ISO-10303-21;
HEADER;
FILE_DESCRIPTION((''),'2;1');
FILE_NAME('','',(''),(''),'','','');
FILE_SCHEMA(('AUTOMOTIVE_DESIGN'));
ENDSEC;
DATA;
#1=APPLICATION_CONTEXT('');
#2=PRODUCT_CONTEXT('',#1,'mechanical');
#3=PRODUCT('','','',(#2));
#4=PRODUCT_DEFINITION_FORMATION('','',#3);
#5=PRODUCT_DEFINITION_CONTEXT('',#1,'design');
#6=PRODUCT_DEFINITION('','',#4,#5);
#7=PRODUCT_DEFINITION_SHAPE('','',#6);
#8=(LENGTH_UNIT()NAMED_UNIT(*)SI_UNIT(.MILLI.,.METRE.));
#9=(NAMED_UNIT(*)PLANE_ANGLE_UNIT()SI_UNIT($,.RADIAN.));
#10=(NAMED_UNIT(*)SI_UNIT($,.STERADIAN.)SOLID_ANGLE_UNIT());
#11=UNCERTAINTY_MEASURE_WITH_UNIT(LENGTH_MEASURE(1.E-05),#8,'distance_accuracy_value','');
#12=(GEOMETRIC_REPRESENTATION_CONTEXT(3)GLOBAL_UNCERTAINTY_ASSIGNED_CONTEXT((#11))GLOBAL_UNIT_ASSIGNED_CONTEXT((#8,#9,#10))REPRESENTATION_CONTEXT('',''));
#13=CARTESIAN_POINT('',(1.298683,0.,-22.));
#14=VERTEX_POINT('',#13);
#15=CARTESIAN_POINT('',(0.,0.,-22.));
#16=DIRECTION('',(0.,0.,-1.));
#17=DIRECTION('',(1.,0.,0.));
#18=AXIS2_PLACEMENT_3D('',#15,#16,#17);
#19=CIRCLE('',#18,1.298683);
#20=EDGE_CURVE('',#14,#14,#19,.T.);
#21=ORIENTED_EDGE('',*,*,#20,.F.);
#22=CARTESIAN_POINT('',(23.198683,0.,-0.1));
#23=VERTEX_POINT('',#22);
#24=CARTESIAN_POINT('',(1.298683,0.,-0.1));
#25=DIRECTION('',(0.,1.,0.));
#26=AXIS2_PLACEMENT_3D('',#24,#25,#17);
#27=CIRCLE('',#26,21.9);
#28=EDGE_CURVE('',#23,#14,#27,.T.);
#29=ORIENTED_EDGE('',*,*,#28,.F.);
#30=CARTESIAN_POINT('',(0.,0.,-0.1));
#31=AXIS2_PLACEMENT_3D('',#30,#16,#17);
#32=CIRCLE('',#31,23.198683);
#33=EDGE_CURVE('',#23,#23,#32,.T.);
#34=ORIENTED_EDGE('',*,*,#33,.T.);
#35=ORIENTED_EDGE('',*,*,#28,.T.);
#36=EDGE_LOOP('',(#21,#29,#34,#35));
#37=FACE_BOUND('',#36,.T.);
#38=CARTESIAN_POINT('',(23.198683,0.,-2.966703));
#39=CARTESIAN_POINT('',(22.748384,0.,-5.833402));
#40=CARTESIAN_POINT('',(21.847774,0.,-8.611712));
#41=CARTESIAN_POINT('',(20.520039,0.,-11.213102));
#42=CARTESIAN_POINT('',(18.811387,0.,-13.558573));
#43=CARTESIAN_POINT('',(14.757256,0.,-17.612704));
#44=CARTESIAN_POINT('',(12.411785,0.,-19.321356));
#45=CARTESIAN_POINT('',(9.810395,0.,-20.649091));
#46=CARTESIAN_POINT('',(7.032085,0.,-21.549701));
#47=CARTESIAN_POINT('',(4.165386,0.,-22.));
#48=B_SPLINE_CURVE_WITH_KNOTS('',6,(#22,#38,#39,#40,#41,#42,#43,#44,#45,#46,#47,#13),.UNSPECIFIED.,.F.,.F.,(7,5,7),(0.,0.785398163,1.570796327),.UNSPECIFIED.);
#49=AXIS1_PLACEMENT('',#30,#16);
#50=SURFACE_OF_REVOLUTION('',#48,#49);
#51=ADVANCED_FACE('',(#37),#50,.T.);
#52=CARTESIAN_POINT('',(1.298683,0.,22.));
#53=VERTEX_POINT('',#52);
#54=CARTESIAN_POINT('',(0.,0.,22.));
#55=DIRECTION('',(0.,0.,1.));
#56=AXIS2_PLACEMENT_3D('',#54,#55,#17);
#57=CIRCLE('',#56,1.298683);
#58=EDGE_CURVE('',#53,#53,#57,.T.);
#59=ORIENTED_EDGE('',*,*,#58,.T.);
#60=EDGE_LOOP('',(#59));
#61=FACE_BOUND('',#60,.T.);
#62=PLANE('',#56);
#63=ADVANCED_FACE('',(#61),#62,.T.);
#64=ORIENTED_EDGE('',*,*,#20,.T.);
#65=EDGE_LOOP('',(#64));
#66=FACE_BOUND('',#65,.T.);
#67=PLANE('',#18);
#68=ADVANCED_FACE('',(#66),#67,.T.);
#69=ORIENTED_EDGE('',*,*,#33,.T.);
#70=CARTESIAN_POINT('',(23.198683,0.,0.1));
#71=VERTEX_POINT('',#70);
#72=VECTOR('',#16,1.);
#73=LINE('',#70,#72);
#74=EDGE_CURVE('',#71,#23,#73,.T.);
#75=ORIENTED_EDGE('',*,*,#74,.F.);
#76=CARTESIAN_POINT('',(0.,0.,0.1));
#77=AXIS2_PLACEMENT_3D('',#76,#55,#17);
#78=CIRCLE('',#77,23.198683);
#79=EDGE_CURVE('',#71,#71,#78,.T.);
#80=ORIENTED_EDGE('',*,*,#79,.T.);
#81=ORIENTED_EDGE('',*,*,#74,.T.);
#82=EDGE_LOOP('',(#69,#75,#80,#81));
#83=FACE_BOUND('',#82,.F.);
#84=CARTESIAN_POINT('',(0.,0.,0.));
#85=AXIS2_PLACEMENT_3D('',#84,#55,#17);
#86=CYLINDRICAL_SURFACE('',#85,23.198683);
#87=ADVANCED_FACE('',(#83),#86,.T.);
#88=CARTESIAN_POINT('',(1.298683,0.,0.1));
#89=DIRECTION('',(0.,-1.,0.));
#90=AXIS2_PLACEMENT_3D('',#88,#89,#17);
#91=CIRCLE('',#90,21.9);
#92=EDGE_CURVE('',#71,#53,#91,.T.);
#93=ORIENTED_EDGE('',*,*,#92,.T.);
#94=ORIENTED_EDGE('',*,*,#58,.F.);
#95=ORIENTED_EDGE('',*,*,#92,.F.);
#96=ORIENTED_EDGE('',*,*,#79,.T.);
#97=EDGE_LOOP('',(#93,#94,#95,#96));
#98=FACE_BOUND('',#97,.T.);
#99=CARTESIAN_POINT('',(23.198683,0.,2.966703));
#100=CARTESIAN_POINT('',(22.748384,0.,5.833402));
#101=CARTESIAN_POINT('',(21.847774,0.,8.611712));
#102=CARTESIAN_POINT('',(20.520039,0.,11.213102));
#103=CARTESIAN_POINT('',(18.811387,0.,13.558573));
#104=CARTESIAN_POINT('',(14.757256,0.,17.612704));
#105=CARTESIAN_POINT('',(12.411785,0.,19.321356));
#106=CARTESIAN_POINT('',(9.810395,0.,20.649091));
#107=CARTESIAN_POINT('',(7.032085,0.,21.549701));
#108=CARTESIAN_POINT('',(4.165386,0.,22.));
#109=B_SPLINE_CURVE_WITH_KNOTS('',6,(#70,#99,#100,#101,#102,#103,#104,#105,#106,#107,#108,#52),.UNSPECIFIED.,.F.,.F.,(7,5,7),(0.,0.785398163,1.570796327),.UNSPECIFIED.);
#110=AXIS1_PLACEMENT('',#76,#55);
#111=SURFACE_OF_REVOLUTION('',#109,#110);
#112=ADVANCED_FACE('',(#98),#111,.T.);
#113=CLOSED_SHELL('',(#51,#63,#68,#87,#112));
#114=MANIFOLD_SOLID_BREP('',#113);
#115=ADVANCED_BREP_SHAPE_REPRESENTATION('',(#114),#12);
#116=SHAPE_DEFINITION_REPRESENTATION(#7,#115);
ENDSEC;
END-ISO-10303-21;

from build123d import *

# Parameters (mm, degrees)
F0_R      = 23.198683
F1_DEPTH  = 22
F2_R      = 21.9
F1_FACE_R = 23.198683
F3_DEPTH  = 22
F4_R      = 21.9


with BuildPart() as f1:
    # F0 (on Top) → F1 (new body)
    with BuildSketch(Plane.XY):
        Circle(F0_R)
    extrude(amount=F1_DEPTH)

    # F2
    f2_edges = [f1.edges().sort_by_distance(p)[0] for p in [
        (-23.198683, 0, 22),
    ]]
    fillet(f2_edges, radius=F2_R)

    # F1_face (on face) → F3 (join)
    with BuildSketch(Plane(origin=(0, 0, 0), x_dir=(1, 0, 0), z_dir=(0, 0, -1))):
        Circle(F1_FACE_R)
    extrude(amount=F3_DEPTH)

    # F4
    f4_edges = [f1.edges().sort_by_distance(p)[0] for p in [
        (-23.198683, 0, -22),
    ]]
    fillet(f4_edges, radius=F4_R)


solid = f1.part
